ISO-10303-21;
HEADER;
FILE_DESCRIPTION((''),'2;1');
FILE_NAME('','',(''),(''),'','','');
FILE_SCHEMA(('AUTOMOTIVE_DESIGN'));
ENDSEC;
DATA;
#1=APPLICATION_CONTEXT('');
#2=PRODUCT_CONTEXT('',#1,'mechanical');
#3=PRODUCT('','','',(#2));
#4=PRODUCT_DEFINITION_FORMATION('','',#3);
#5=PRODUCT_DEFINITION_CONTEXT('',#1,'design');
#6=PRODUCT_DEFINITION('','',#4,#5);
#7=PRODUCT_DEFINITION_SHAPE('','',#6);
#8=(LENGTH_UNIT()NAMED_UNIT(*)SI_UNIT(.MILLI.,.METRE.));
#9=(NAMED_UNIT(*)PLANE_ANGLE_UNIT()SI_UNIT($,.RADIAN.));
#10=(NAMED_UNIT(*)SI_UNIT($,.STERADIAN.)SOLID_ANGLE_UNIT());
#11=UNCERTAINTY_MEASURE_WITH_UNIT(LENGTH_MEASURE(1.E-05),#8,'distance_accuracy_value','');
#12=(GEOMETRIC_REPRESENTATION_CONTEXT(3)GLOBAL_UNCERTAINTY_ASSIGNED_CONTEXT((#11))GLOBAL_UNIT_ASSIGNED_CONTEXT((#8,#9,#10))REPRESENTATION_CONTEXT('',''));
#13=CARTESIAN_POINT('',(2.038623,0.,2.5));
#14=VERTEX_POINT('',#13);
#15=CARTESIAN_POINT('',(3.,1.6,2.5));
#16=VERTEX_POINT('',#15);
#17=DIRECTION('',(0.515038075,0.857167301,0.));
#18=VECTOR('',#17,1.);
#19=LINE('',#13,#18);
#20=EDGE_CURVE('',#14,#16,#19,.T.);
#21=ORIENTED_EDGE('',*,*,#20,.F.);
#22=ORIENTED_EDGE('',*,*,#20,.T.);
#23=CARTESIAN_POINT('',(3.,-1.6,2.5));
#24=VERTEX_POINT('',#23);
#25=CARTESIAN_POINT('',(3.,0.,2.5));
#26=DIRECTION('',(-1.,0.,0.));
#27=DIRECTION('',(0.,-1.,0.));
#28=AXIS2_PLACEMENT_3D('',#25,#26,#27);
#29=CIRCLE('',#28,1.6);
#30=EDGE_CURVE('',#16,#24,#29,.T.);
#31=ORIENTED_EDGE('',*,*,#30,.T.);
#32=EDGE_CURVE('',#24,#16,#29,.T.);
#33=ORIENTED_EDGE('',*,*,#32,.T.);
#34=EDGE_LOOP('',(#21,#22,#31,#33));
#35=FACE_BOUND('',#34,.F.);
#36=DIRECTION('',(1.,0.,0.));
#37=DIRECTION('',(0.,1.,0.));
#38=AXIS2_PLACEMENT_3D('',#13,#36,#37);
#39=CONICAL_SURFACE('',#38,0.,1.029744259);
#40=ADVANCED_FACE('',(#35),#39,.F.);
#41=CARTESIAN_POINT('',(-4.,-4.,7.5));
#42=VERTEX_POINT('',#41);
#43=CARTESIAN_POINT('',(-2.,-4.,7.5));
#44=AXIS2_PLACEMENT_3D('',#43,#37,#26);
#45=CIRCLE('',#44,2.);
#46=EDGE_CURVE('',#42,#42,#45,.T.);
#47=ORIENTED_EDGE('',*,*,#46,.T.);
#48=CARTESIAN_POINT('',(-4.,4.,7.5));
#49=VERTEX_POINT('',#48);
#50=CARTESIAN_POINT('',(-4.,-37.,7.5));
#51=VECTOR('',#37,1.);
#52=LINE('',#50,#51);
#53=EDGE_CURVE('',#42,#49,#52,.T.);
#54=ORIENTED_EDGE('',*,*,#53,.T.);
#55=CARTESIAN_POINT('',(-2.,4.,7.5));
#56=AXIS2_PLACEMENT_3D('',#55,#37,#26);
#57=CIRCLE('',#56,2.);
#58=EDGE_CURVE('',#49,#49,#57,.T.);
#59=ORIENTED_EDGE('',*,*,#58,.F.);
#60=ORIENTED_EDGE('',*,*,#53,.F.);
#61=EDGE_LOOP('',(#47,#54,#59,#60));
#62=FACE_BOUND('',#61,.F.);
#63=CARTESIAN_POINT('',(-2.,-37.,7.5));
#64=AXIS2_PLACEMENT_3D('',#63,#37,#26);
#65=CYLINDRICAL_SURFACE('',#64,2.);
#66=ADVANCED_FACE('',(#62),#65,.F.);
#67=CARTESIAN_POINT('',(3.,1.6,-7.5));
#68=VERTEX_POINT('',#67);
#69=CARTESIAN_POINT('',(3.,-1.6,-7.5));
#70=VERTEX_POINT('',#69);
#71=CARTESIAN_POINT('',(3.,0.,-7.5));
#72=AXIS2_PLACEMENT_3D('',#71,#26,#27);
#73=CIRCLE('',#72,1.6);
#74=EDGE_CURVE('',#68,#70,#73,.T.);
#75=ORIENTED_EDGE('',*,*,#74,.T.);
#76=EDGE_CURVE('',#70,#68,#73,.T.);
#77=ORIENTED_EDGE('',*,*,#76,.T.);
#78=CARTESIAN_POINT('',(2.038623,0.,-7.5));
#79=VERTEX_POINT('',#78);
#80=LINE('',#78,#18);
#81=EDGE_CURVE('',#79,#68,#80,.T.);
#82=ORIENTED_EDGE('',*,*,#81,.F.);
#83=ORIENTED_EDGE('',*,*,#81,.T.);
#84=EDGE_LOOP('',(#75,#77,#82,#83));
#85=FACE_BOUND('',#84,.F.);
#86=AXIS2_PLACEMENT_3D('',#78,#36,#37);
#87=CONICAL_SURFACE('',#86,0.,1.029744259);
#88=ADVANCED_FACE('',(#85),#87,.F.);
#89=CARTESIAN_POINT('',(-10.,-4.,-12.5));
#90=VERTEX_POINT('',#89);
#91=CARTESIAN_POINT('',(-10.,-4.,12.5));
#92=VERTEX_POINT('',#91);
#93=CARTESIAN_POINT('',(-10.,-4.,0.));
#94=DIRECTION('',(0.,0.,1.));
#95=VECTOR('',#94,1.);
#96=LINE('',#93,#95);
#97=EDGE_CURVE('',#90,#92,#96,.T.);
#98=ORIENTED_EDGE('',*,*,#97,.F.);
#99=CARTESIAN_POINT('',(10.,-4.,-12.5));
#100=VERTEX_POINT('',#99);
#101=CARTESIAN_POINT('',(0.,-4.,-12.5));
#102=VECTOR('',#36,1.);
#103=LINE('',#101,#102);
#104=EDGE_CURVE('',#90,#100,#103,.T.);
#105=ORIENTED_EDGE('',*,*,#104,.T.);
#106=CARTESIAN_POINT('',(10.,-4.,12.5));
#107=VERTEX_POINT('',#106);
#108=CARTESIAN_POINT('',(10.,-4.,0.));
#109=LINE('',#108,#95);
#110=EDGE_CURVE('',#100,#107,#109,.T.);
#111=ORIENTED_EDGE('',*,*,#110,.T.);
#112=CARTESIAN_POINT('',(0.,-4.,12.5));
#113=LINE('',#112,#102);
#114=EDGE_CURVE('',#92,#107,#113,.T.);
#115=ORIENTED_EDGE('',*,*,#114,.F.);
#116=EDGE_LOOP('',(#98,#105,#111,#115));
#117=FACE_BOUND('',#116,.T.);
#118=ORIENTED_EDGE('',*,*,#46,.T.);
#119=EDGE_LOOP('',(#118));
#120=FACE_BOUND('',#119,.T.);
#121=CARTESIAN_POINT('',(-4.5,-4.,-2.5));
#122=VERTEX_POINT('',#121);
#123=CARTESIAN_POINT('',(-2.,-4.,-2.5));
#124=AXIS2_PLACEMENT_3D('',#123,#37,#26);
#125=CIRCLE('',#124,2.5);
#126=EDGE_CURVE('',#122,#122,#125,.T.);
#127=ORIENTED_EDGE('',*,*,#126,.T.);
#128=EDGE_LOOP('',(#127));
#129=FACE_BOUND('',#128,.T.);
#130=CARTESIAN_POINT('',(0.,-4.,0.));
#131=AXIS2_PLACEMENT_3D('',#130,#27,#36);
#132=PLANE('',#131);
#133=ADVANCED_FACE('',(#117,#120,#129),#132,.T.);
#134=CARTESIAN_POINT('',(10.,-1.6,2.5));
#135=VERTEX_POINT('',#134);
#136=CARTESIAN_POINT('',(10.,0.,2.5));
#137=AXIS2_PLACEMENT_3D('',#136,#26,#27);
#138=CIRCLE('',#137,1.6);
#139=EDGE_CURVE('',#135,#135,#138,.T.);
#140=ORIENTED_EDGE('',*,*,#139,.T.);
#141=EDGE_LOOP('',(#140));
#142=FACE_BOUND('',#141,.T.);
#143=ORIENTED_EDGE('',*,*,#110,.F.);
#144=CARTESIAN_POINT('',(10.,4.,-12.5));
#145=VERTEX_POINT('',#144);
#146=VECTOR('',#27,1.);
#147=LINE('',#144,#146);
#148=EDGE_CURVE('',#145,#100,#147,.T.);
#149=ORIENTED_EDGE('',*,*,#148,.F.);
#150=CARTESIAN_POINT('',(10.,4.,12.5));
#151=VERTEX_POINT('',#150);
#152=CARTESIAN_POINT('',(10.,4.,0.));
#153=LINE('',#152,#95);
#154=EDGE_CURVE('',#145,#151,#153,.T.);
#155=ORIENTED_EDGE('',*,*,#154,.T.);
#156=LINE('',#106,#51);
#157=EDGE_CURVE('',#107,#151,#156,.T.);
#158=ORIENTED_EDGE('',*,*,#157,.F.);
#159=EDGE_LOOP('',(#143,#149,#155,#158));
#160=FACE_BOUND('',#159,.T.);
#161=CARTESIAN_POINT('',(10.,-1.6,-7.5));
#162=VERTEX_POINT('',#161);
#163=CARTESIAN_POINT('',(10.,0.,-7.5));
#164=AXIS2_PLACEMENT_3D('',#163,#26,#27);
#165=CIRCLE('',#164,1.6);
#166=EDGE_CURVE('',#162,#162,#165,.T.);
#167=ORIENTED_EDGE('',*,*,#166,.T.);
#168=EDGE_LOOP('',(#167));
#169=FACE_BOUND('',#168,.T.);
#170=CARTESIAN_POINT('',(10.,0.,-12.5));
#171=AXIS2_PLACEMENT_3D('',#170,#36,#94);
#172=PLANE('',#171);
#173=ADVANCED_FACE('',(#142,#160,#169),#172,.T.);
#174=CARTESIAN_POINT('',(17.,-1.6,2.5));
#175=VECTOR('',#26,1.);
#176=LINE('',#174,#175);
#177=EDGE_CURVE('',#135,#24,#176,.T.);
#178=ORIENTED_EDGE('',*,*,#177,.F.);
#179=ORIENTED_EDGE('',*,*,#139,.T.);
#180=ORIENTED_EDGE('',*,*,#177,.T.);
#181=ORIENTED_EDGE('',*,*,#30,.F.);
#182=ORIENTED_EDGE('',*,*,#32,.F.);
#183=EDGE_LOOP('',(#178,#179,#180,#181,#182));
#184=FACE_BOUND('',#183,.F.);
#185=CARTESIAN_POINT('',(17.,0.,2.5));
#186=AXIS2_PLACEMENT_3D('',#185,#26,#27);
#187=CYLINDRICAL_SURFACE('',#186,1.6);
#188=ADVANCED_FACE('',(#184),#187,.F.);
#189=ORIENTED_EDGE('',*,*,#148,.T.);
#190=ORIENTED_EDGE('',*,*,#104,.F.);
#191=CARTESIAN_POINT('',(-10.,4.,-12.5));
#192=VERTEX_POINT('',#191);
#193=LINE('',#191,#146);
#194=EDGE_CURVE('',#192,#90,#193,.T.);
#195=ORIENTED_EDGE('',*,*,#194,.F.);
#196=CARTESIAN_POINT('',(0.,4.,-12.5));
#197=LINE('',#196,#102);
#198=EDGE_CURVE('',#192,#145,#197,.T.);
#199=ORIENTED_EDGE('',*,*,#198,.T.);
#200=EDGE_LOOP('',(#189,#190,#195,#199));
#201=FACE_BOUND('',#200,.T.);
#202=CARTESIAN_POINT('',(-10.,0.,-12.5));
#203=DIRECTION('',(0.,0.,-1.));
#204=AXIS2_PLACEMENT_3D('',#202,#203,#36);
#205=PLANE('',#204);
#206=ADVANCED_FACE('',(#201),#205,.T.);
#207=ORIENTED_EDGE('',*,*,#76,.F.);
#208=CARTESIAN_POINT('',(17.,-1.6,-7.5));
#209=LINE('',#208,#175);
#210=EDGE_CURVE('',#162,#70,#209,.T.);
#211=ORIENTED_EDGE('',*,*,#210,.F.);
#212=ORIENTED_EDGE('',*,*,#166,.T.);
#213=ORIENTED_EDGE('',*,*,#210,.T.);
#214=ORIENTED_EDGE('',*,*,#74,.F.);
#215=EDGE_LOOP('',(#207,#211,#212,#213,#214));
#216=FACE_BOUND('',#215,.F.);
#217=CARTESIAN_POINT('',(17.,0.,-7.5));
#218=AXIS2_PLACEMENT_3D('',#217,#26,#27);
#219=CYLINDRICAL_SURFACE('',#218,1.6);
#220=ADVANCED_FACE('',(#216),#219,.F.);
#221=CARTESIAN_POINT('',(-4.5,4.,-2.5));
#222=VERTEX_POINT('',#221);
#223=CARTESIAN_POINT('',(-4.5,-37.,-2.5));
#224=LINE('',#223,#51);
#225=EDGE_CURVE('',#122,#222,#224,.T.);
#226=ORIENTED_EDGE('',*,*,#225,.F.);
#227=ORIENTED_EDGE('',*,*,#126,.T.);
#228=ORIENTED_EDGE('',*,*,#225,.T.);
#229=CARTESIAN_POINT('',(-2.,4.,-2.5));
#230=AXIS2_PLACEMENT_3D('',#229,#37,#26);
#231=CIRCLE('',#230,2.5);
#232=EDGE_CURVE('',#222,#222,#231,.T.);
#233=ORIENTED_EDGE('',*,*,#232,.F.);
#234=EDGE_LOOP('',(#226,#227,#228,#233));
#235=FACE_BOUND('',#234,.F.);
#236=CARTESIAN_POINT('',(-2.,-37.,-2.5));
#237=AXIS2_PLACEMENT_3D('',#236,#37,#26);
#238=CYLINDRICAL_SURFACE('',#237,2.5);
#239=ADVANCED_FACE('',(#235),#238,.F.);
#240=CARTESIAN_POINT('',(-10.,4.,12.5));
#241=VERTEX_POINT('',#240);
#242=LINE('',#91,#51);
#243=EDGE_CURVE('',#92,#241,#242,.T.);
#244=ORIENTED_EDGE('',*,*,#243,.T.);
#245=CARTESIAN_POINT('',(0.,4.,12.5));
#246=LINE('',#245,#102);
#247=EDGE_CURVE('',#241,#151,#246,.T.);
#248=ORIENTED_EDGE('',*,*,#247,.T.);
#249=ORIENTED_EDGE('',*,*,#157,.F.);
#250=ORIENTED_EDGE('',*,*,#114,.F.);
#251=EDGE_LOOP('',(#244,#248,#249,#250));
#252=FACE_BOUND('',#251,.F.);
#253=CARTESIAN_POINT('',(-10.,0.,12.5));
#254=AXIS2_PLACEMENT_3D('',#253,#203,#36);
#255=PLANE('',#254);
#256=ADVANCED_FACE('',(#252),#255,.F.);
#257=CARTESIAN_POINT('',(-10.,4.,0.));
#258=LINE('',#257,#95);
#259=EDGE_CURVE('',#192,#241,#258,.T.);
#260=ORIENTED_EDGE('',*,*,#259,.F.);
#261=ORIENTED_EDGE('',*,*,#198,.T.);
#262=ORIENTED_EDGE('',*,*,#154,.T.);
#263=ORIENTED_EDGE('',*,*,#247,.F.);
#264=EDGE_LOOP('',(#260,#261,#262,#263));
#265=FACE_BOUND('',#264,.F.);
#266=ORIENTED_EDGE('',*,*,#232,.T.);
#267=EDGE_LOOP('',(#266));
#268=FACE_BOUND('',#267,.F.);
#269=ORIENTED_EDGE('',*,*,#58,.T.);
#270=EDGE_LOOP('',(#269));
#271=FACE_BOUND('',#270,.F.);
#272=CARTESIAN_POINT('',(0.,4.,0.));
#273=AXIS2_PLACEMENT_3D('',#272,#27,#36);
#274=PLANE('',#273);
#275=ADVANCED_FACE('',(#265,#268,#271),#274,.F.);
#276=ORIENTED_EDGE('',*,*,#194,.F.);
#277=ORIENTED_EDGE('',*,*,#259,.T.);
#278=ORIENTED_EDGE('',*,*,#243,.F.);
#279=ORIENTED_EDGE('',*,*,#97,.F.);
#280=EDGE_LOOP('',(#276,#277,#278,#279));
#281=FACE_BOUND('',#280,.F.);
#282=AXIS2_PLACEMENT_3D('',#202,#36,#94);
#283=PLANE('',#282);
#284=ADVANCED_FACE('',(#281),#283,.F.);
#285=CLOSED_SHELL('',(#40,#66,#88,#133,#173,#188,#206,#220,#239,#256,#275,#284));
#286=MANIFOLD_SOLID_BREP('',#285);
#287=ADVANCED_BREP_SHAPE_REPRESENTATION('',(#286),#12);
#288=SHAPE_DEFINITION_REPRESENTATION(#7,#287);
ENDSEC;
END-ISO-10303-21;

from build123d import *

# Parameters (mm, degrees)
F0_W     = 20
F0_H     = 25
F1_DEPTH = 4
F3_D     = 4
F4_D     = 5
F6_D     = 3.2
F6_DEPTH = 7
F6_TIP   = 0.9613769904


with BuildPart() as f1:
    # F0 (on Front) → F1 (new body, symmetric)
    with BuildSketch(Plane.XZ):
        Rectangle(F0_W, F0_H)
    extrude(amount=F1_DEPTH, both=True)

    # F3 (through all)
    with Locations(Plane.XZ.offset(4)):
        with Locations((-2, 7.5)):
            Hole(F3_D / 2)

    # F4 (through all)
    with Locations(Plane.XZ.offset(4)):
        with Locations((-2, -2.5)):
            Hole(F4_D / 2)

    # F6
    with Locations(Plane.YZ.offset(10)):
        with Locations((0, 2.5), (0, -7.5)):
            Hole(F6_D / 2, depth=F6_DEPTH)
            with Locations((0, 0, -(F6_DEPTH + F6_TIP / 2))):  # 118° drill point
                Cone(0, F6_D / 2, F6_TIP, mode=Mode.SUBTRACT)


solid = f1.part
